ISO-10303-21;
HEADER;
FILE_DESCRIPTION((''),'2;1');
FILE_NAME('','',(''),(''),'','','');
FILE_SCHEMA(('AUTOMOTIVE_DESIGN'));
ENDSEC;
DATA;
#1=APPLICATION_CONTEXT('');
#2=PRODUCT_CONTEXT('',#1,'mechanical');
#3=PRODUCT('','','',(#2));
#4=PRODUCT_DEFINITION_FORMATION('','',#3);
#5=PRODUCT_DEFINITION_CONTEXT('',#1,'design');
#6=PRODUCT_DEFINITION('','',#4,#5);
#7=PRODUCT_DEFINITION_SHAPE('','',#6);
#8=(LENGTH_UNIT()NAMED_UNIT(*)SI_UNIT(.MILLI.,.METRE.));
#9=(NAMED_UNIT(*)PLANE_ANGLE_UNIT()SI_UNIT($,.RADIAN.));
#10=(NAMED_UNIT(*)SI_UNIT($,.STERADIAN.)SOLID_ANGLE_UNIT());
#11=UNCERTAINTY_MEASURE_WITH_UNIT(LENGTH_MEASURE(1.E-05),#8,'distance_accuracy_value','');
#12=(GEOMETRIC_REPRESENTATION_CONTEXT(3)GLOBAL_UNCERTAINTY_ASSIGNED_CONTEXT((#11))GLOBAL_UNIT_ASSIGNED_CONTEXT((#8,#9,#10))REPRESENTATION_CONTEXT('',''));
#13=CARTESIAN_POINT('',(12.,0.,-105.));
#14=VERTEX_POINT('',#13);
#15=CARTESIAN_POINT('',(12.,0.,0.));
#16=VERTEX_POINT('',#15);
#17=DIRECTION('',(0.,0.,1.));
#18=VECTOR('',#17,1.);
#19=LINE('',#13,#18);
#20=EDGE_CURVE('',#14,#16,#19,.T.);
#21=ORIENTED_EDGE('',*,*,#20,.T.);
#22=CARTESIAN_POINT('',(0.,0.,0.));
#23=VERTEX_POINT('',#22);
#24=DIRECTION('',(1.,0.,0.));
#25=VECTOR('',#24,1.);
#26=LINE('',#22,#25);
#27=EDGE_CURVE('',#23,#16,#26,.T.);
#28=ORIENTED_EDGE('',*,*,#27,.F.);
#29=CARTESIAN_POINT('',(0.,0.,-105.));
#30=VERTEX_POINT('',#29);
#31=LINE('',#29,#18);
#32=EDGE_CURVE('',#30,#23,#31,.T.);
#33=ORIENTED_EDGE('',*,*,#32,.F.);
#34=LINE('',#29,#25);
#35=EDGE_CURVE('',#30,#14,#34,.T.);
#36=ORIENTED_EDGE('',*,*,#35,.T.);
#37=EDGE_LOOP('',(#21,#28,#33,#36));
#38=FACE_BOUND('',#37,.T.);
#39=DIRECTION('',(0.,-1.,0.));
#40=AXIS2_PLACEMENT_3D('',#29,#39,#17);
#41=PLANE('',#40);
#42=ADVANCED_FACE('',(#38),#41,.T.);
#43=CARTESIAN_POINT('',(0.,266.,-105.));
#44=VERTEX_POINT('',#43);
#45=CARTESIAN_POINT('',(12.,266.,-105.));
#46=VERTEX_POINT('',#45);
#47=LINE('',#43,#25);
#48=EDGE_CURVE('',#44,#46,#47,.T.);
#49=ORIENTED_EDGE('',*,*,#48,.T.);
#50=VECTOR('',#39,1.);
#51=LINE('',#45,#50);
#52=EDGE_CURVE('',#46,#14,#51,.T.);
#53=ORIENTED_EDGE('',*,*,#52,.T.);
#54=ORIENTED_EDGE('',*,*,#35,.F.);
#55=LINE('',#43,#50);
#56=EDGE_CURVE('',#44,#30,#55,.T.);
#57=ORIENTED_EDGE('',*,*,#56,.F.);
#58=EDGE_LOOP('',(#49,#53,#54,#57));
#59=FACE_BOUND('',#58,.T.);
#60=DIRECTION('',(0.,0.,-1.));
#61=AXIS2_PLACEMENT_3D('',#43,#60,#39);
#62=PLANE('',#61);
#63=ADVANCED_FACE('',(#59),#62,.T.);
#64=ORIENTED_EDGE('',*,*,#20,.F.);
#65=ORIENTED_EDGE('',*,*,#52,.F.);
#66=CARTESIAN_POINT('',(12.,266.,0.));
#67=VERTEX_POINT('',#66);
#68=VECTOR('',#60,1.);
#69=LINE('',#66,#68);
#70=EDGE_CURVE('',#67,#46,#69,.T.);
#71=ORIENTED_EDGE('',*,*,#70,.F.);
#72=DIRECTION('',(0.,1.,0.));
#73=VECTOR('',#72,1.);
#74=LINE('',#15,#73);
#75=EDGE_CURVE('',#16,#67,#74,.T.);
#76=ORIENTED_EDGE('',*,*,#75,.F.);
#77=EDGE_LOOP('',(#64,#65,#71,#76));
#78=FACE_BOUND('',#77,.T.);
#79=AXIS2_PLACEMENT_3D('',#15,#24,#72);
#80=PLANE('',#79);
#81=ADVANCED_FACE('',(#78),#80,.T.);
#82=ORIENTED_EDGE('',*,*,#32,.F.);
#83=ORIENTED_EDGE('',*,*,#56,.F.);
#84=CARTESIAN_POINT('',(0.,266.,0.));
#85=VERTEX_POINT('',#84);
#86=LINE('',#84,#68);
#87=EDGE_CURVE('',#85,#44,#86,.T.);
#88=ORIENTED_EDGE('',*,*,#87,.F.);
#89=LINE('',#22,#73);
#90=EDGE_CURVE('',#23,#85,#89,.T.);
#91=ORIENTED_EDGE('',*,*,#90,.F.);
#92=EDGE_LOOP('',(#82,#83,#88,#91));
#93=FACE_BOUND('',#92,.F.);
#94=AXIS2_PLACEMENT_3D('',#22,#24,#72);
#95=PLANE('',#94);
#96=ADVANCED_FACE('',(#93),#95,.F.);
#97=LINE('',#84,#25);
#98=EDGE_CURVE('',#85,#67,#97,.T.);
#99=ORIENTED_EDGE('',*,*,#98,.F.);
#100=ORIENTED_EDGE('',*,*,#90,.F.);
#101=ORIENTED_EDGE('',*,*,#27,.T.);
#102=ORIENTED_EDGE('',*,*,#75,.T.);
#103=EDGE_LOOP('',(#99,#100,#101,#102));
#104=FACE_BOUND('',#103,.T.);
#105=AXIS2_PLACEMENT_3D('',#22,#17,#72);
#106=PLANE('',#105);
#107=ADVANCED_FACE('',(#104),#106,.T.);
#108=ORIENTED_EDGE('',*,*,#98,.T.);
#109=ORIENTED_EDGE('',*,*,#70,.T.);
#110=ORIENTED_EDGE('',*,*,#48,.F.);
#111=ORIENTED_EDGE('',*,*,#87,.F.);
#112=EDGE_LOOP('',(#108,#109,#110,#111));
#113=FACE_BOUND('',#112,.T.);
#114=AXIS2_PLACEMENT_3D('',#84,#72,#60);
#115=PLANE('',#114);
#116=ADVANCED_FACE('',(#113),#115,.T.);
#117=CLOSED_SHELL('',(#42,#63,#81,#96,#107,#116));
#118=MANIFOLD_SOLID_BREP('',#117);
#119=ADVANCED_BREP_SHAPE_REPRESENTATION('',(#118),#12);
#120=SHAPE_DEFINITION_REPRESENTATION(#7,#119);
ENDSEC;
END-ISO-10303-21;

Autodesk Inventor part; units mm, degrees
ref_plane "YZ Plane" through (0, 0, 0) normal (1, 0, 0) x (0, 1, 0)
ref_plane "XZ Plane" through (0, 0, 0) normal (0, 1, 0) x (-1, 0, 0)
ref_plane "XY Plane" through (0, 0, 0) normal (0, 0, 1) x (1, 0, 0)
sketch "Эскиз2" plane through (0, 0, 0) normal (1, 0, 0) x (0, 1, 0)
  line L0 (0, 0) -> (266, 0)
  line L1 (266, 0) -> (266, -105)
  line L2 (266, -105) -> (0, -105)
  line L3 (0, -105) -> (0, 0)
  dimension "d5" = 105
  dimension "d8" = 266
extrude "Выдавливание2" add sketch "Эскиз2" along normal blind 12
properties part number "внутр"
